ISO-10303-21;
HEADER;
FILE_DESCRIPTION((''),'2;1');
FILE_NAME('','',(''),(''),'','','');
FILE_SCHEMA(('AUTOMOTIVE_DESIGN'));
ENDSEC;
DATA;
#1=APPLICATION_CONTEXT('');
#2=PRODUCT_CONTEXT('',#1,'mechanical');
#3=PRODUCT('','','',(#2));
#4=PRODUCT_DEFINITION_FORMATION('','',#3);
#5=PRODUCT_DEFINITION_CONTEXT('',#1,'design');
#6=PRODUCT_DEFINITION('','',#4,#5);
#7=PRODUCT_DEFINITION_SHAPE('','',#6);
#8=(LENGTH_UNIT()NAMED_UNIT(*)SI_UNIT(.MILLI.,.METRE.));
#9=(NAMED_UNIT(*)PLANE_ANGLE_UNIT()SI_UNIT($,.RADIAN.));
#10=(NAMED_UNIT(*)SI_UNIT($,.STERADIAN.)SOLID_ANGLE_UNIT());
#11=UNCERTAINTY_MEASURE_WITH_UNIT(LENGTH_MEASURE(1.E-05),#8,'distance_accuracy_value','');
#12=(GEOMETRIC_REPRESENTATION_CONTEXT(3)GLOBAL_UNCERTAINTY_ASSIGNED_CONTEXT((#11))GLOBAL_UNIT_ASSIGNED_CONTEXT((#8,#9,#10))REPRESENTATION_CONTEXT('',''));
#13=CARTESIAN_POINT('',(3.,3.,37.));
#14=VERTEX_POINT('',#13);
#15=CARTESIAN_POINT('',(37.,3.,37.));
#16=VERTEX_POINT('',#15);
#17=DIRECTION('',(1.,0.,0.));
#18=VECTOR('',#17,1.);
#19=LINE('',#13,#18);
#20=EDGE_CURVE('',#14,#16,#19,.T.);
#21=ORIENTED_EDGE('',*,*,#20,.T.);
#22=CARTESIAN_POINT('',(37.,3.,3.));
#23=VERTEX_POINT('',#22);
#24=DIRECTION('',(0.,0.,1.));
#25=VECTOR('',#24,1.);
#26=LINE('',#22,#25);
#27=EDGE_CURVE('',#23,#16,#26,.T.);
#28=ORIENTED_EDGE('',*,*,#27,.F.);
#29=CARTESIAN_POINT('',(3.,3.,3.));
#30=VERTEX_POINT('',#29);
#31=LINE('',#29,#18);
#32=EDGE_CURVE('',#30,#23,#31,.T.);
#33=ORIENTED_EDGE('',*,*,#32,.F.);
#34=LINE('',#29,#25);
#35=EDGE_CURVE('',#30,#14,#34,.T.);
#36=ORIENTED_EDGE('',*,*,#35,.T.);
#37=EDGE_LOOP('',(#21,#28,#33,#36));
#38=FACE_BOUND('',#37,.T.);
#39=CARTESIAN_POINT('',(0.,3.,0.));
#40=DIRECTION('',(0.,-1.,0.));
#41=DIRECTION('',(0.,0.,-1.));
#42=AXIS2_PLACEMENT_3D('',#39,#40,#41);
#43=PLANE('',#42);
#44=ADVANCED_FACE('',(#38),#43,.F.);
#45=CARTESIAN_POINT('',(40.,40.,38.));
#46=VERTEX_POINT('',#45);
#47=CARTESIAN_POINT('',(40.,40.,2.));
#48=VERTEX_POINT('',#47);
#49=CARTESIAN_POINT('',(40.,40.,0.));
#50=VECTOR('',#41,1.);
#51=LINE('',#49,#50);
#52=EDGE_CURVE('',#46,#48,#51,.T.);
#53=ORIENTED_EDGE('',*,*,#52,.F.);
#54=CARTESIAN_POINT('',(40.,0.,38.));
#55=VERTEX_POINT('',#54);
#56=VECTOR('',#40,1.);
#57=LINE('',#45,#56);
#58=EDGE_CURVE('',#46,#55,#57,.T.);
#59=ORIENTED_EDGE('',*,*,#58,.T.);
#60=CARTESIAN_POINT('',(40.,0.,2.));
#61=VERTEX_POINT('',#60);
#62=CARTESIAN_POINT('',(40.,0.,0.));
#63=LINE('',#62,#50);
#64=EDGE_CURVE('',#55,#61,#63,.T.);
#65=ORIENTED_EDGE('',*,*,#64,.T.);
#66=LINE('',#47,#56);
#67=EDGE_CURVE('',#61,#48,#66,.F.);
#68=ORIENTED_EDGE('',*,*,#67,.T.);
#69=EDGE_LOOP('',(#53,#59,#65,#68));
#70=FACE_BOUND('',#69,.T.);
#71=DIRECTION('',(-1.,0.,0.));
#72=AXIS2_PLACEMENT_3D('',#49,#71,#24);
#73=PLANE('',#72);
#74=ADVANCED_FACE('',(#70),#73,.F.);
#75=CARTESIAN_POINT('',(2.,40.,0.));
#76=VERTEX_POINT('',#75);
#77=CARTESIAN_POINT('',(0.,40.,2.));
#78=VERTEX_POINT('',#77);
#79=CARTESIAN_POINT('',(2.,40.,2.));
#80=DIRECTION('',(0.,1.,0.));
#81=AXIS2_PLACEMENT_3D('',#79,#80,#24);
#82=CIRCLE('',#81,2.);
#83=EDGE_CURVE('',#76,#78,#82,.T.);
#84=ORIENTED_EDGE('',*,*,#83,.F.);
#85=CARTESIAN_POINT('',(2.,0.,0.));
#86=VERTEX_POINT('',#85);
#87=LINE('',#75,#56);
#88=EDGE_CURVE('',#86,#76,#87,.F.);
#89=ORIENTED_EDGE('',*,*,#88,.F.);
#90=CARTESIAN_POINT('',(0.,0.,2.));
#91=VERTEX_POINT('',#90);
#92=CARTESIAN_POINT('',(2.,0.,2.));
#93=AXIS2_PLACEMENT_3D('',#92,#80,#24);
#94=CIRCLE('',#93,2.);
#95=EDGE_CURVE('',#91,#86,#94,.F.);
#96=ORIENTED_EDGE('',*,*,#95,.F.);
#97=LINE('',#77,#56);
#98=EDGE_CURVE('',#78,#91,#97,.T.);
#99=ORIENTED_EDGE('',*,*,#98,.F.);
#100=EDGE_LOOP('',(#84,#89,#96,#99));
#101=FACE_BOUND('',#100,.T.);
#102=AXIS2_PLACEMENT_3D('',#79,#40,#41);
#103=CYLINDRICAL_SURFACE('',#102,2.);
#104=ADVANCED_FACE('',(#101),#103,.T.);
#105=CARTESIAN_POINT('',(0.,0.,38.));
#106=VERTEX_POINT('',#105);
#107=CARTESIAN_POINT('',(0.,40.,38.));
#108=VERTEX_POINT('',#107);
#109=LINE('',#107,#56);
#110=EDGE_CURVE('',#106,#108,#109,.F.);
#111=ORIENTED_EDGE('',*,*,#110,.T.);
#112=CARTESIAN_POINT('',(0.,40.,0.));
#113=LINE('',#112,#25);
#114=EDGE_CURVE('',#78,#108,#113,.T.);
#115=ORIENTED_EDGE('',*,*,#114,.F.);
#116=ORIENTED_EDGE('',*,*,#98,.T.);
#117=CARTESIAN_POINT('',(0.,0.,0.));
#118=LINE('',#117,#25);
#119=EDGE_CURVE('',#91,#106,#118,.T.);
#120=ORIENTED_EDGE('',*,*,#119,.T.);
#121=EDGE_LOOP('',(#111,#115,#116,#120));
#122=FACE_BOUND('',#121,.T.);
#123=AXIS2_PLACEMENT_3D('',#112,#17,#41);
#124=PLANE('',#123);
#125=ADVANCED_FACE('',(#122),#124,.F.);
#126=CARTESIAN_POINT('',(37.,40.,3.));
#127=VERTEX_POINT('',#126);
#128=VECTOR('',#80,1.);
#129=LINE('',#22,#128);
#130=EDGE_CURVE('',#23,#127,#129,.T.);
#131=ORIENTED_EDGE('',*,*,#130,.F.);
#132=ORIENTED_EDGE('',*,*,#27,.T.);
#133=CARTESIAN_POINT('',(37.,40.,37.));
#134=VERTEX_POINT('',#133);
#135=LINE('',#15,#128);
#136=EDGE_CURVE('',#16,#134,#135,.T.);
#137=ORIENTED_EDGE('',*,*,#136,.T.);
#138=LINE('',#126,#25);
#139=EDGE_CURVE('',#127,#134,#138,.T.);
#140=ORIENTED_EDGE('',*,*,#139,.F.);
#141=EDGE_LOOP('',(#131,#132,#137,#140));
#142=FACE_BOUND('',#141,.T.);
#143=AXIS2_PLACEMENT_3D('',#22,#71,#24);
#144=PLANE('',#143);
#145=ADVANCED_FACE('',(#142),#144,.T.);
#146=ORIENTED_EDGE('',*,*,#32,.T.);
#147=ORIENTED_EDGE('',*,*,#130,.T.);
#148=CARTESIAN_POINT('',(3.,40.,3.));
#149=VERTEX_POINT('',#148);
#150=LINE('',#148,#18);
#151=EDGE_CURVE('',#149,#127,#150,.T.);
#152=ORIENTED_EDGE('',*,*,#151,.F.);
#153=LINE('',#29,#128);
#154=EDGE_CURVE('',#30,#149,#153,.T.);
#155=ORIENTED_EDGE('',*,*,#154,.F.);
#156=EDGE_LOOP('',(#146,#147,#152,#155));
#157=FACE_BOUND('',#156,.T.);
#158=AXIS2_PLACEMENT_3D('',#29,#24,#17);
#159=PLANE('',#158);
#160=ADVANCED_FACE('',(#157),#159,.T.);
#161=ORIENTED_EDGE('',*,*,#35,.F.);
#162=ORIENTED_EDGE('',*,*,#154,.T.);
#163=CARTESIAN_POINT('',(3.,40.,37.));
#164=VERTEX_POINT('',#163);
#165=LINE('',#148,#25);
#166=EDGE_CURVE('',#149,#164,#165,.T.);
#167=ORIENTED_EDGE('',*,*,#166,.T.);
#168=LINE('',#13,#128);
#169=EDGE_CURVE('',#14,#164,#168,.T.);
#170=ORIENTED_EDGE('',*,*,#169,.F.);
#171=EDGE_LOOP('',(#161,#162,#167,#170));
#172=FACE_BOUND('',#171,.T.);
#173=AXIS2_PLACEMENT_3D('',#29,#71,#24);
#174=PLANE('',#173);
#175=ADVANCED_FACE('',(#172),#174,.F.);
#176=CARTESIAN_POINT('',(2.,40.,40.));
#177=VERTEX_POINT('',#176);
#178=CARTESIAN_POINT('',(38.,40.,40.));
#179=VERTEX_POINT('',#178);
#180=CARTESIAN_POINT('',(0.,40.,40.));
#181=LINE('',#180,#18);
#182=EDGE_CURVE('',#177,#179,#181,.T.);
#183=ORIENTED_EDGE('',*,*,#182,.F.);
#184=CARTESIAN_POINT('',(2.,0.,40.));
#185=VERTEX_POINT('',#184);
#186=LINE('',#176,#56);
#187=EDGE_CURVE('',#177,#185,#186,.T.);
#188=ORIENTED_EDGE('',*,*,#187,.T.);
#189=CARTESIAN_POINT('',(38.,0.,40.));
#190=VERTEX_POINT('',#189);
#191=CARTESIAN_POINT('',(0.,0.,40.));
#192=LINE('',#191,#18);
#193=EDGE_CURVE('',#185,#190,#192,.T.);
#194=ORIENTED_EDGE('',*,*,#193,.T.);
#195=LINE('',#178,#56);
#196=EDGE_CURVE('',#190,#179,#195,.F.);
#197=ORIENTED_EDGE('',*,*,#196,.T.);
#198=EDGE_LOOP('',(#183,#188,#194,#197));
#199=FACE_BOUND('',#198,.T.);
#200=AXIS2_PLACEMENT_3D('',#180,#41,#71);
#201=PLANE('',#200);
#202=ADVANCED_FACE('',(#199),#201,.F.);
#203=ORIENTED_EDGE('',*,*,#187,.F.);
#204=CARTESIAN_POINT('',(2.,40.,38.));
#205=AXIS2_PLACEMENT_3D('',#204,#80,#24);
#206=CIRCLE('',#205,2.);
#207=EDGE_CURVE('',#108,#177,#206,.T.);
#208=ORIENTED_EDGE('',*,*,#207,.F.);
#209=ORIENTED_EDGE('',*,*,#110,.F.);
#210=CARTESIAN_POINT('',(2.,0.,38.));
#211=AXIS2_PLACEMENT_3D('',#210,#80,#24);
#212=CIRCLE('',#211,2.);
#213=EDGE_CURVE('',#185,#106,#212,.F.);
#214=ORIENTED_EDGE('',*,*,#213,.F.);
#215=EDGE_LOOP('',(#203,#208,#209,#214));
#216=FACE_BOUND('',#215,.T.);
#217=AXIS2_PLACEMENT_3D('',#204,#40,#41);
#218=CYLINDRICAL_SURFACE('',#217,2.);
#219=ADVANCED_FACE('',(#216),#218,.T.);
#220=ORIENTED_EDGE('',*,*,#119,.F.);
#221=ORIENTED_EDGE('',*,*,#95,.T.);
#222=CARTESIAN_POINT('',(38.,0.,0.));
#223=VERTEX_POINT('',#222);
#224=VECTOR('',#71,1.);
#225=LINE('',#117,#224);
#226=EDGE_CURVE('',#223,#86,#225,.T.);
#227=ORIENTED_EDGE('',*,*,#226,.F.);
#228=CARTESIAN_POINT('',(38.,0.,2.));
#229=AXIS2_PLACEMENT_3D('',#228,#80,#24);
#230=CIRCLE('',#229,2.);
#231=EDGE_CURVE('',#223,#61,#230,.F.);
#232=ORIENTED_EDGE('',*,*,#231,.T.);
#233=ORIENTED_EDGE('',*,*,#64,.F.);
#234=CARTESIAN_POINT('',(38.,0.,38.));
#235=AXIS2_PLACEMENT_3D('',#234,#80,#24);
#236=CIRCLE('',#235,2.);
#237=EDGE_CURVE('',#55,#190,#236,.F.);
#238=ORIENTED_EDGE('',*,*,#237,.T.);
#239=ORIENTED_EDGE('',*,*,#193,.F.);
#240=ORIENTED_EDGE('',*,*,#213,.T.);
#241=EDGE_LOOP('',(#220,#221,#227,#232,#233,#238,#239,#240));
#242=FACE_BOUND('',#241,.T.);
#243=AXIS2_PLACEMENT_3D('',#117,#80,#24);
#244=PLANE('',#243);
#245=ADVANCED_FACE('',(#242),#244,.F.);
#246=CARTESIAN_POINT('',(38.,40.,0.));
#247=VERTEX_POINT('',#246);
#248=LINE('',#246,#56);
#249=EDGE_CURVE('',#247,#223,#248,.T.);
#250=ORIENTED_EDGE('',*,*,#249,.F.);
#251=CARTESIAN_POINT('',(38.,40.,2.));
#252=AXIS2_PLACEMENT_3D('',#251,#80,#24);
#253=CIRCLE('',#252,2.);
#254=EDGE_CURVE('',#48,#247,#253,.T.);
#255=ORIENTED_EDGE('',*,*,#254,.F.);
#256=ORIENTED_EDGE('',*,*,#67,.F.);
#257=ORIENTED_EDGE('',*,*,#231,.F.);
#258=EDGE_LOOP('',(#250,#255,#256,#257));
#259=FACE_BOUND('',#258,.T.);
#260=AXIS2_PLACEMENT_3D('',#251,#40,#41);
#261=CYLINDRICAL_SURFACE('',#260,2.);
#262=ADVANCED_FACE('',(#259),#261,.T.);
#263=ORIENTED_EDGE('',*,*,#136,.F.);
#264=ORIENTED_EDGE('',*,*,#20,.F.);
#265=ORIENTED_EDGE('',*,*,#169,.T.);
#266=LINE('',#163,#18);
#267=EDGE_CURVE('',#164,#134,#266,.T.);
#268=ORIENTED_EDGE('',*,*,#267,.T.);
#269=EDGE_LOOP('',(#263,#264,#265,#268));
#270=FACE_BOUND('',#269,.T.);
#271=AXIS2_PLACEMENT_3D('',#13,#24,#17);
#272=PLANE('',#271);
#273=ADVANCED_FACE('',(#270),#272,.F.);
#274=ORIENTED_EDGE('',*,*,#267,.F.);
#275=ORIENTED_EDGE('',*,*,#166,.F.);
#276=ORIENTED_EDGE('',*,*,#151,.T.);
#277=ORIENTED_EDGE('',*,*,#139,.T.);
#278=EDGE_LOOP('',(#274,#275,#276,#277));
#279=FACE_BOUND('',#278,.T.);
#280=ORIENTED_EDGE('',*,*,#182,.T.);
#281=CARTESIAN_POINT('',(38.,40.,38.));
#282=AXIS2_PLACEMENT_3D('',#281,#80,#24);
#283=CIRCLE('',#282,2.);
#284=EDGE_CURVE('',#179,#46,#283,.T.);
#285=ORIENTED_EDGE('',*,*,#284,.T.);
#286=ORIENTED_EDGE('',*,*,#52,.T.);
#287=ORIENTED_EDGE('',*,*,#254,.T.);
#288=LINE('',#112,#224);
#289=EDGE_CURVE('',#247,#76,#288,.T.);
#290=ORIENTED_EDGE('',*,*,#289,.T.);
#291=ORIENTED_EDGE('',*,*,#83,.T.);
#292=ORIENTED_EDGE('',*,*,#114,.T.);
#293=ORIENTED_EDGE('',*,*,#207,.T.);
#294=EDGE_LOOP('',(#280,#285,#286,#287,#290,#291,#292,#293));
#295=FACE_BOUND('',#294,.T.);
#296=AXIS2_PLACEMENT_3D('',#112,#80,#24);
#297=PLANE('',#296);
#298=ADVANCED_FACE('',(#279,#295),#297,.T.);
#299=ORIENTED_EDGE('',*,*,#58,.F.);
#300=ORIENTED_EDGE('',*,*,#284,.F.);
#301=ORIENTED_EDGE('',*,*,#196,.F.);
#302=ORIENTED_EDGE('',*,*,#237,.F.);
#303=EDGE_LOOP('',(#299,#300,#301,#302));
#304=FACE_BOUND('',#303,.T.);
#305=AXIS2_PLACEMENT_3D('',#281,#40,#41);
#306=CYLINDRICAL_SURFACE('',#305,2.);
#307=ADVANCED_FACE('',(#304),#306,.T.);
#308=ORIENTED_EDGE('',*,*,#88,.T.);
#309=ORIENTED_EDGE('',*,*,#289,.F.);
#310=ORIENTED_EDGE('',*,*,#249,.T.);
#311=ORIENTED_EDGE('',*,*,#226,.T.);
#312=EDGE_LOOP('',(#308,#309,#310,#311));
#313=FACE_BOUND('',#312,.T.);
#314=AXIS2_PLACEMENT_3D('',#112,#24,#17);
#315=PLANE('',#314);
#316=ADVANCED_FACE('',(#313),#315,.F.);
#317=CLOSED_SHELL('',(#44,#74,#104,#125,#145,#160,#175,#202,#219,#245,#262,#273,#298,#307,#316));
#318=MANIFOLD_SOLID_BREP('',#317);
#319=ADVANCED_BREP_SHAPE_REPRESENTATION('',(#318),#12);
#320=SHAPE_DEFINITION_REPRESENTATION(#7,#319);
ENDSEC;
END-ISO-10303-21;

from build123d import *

# Parameters (mm, degrees)
SKETCH_1_W          = 40
SKETCH_1_H          = 40
EXTRUDE_1_DEPTH     = 40
SKETCH_2_W          = 34
SKETCH_2_H          = 34
CUT_EXTRUDE_1_DEPTH = 37
FILLET_1_R          = 2


with BuildPart() as part:
    # 草图1 → 凸台-拉伸1 (new body)
    with BuildSketch(Plane(origin=(0, 0, 0), x_dir=(1, 0, 0), z_dir=(0, 1, 0))):
        with Locations((20, -20)):
            Rectangle(SKETCH_1_W, SKETCH_1_H)
    extrude(amount=EXTRUDE_1_DEPTH)

    # 草图2 → 切除-拉伸1 (cut)
    with BuildSketch(Plane(origin=(0, 40, 0), x_dir=(1, 0, 0), z_dir=(0, 1, 0))):
        with Locations((20, -20)):
            Rectangle(SKETCH_2_W, SKETCH_2_H)
    extrude(amount=-CUT_EXTRUDE_1_DEPTH, mode=Mode.SUBTRACT)

    # 圆角1
    fillet_1_edges = [part.edges().sort_by_distance(p)[0] for p in [
        (0, 20, 0),
        (40, 20, 0),
        (40, 20, 40),
        (0, 20, 40),
    ]]
    fillet(fillet_1_edges, radius=FILLET_1_R)


solid = part.part
